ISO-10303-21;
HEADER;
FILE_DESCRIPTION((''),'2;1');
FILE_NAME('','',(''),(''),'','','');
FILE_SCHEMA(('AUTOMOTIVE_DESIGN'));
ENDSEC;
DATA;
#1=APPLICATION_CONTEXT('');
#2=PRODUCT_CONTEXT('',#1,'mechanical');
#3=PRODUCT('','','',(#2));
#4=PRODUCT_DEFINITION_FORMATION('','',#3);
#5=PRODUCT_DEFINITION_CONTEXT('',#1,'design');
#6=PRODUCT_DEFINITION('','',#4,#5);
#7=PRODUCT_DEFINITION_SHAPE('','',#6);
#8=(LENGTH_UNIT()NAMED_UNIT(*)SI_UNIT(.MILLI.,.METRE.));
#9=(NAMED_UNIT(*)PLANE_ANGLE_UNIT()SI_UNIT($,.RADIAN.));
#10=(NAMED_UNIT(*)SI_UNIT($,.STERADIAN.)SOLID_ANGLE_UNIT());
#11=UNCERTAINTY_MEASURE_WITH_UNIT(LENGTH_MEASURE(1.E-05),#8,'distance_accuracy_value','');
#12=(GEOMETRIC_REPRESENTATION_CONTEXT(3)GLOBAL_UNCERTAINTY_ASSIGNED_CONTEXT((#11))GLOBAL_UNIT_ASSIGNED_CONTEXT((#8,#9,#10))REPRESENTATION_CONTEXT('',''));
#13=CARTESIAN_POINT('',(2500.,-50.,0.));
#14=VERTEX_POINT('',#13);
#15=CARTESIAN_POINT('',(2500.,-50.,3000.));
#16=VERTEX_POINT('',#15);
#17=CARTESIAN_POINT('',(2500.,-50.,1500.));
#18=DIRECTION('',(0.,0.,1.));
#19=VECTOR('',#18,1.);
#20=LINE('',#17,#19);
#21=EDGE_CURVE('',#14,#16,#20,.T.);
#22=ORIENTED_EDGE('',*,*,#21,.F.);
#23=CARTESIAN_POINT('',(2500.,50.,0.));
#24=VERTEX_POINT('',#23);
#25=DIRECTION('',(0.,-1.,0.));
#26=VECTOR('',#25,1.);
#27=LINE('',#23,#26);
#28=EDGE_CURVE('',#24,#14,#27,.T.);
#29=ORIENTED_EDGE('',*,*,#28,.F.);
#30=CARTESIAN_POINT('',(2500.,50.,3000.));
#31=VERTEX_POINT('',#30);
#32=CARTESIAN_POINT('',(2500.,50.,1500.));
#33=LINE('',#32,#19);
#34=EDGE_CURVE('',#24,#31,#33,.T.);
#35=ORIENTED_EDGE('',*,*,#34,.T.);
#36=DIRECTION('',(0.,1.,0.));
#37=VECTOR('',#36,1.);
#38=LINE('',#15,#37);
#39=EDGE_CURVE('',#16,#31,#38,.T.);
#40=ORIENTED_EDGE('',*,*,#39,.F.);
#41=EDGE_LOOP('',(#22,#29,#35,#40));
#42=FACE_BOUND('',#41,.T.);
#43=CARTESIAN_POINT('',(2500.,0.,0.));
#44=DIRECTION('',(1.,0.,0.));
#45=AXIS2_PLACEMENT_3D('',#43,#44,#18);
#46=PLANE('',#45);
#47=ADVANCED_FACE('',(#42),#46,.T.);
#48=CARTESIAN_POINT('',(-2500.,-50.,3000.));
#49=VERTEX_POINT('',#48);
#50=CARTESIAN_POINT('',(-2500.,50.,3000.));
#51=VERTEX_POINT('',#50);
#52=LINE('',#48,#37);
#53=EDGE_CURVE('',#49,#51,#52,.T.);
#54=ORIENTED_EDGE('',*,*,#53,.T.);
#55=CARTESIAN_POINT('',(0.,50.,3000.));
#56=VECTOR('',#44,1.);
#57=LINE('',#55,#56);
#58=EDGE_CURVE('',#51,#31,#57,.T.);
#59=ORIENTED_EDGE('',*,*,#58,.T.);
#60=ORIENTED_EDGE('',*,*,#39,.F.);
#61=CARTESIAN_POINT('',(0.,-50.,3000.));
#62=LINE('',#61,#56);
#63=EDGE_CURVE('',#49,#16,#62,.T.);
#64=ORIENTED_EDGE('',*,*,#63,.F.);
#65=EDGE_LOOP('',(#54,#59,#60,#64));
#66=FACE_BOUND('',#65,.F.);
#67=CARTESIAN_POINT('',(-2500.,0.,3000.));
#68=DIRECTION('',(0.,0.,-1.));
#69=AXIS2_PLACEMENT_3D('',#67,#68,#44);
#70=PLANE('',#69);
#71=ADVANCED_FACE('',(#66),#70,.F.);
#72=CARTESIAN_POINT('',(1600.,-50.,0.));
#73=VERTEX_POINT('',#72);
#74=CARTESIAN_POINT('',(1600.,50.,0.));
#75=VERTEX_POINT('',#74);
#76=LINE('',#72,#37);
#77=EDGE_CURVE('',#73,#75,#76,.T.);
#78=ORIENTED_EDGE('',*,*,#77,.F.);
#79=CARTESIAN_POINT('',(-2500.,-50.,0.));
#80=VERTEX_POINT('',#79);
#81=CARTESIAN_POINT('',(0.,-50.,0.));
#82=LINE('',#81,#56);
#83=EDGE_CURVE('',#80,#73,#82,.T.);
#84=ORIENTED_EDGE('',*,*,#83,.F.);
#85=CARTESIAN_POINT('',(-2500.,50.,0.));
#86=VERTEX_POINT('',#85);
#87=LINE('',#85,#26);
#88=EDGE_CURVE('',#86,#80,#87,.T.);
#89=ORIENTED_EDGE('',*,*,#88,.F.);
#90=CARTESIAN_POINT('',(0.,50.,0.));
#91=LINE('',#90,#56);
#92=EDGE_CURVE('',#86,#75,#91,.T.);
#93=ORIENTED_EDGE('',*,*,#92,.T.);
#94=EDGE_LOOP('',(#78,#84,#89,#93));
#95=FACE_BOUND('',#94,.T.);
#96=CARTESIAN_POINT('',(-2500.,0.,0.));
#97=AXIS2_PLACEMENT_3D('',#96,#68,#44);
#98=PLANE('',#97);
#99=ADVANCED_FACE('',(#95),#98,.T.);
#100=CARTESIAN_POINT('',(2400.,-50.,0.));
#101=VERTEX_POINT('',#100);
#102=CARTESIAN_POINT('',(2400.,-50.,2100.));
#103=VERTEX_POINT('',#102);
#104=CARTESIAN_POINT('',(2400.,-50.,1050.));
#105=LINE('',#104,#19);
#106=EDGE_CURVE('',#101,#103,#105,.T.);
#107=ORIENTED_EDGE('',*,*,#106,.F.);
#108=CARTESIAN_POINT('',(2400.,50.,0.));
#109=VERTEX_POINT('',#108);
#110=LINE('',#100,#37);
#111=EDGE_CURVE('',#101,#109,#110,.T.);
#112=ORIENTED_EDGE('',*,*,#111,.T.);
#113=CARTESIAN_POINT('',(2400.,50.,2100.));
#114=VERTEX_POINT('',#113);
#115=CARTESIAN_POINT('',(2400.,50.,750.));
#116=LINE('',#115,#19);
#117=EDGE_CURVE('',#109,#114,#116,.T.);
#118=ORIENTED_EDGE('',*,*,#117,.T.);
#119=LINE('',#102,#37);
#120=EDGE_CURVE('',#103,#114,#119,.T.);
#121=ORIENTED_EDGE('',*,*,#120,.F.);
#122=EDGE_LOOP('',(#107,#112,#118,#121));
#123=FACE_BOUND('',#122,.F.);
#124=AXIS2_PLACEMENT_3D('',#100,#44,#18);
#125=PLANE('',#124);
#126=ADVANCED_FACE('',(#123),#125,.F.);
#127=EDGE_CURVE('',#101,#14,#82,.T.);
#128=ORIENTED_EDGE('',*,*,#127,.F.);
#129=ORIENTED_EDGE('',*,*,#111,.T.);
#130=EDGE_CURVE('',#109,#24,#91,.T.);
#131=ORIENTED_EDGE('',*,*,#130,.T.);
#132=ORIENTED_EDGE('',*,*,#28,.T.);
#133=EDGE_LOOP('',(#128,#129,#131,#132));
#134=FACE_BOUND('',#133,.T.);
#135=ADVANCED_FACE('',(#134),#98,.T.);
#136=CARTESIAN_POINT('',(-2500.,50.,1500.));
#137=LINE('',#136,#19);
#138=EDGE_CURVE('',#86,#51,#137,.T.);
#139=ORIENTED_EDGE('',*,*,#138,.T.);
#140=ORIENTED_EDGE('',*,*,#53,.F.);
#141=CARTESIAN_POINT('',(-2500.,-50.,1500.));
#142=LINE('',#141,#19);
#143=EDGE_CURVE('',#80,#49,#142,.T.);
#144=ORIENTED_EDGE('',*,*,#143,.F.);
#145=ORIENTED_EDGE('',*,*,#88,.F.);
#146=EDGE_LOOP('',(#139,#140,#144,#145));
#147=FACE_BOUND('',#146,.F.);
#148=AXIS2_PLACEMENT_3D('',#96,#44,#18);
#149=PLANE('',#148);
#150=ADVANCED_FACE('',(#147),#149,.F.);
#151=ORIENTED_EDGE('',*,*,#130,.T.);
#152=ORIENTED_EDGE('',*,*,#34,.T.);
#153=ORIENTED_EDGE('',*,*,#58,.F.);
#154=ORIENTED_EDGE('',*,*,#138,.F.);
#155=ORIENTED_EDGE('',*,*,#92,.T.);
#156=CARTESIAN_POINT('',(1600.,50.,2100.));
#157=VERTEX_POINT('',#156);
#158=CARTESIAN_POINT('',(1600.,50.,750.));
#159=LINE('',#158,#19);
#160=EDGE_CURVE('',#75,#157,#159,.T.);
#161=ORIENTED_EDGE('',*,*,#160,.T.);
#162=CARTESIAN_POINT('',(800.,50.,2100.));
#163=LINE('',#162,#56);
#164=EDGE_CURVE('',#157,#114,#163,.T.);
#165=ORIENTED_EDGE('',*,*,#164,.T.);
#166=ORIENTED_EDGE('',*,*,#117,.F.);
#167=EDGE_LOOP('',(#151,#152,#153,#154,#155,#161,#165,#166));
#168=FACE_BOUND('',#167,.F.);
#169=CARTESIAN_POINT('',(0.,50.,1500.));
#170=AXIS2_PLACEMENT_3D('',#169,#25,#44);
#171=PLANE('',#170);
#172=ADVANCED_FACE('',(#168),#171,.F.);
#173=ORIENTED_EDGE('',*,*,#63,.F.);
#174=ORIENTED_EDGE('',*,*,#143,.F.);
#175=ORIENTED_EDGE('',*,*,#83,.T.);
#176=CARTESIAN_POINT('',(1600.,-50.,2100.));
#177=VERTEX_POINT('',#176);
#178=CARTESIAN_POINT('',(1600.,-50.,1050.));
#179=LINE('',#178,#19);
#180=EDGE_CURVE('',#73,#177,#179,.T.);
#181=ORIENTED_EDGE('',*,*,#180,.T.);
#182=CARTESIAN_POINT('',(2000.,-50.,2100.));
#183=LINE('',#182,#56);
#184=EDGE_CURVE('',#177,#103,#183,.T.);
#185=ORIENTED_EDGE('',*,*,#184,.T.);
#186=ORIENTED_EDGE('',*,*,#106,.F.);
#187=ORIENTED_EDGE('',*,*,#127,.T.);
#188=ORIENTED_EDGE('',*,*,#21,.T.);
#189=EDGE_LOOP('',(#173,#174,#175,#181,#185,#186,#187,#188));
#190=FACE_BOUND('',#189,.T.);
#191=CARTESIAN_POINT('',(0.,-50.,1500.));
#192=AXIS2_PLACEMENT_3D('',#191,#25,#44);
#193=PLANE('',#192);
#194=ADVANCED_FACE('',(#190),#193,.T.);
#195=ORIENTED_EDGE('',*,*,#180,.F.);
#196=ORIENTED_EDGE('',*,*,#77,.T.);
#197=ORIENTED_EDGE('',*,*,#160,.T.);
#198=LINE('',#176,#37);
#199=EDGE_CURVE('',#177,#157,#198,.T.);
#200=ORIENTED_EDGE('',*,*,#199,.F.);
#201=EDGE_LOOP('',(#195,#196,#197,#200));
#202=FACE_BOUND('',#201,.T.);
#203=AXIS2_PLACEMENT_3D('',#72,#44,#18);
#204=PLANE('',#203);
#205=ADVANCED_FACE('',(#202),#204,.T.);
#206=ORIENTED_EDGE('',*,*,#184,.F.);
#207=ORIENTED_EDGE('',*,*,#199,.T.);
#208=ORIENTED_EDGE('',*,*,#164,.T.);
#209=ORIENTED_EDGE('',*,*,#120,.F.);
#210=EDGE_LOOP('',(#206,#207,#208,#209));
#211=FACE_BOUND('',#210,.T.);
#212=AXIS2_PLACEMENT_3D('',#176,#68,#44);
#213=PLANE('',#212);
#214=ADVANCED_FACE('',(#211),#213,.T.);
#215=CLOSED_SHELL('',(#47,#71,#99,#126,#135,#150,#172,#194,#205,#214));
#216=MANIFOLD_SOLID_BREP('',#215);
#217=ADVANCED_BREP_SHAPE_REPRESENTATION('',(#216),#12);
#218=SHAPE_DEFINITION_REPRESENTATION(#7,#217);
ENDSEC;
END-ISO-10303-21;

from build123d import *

# Parameters (mm, degrees)
F0_W     = 5000
F0_H     = 3000
F1_DEPTH = 50
F2_W     = 800
F2_H     = 2100
F3_DEPTH = 100.001


with BuildPart() as f1:
    # F0 (on Front) → F1 (new body, symmetric)
    with BuildSketch(Plane.XZ):
        with Locations((0, 1500)):
            Rectangle(F0_W, F0_H)
    extrude(amount=F1_DEPTH, both=True)

    # F2 (on face) → F3 (cut, through all)
    with BuildSketch(Plane.XZ.offset(50)):
        with Locations((2000, 1050)):
            Rectangle(F2_W, F2_H)
    extrude(amount=-F3_DEPTH, mode=Mode.SUBTRACT)


solid = f1.part
